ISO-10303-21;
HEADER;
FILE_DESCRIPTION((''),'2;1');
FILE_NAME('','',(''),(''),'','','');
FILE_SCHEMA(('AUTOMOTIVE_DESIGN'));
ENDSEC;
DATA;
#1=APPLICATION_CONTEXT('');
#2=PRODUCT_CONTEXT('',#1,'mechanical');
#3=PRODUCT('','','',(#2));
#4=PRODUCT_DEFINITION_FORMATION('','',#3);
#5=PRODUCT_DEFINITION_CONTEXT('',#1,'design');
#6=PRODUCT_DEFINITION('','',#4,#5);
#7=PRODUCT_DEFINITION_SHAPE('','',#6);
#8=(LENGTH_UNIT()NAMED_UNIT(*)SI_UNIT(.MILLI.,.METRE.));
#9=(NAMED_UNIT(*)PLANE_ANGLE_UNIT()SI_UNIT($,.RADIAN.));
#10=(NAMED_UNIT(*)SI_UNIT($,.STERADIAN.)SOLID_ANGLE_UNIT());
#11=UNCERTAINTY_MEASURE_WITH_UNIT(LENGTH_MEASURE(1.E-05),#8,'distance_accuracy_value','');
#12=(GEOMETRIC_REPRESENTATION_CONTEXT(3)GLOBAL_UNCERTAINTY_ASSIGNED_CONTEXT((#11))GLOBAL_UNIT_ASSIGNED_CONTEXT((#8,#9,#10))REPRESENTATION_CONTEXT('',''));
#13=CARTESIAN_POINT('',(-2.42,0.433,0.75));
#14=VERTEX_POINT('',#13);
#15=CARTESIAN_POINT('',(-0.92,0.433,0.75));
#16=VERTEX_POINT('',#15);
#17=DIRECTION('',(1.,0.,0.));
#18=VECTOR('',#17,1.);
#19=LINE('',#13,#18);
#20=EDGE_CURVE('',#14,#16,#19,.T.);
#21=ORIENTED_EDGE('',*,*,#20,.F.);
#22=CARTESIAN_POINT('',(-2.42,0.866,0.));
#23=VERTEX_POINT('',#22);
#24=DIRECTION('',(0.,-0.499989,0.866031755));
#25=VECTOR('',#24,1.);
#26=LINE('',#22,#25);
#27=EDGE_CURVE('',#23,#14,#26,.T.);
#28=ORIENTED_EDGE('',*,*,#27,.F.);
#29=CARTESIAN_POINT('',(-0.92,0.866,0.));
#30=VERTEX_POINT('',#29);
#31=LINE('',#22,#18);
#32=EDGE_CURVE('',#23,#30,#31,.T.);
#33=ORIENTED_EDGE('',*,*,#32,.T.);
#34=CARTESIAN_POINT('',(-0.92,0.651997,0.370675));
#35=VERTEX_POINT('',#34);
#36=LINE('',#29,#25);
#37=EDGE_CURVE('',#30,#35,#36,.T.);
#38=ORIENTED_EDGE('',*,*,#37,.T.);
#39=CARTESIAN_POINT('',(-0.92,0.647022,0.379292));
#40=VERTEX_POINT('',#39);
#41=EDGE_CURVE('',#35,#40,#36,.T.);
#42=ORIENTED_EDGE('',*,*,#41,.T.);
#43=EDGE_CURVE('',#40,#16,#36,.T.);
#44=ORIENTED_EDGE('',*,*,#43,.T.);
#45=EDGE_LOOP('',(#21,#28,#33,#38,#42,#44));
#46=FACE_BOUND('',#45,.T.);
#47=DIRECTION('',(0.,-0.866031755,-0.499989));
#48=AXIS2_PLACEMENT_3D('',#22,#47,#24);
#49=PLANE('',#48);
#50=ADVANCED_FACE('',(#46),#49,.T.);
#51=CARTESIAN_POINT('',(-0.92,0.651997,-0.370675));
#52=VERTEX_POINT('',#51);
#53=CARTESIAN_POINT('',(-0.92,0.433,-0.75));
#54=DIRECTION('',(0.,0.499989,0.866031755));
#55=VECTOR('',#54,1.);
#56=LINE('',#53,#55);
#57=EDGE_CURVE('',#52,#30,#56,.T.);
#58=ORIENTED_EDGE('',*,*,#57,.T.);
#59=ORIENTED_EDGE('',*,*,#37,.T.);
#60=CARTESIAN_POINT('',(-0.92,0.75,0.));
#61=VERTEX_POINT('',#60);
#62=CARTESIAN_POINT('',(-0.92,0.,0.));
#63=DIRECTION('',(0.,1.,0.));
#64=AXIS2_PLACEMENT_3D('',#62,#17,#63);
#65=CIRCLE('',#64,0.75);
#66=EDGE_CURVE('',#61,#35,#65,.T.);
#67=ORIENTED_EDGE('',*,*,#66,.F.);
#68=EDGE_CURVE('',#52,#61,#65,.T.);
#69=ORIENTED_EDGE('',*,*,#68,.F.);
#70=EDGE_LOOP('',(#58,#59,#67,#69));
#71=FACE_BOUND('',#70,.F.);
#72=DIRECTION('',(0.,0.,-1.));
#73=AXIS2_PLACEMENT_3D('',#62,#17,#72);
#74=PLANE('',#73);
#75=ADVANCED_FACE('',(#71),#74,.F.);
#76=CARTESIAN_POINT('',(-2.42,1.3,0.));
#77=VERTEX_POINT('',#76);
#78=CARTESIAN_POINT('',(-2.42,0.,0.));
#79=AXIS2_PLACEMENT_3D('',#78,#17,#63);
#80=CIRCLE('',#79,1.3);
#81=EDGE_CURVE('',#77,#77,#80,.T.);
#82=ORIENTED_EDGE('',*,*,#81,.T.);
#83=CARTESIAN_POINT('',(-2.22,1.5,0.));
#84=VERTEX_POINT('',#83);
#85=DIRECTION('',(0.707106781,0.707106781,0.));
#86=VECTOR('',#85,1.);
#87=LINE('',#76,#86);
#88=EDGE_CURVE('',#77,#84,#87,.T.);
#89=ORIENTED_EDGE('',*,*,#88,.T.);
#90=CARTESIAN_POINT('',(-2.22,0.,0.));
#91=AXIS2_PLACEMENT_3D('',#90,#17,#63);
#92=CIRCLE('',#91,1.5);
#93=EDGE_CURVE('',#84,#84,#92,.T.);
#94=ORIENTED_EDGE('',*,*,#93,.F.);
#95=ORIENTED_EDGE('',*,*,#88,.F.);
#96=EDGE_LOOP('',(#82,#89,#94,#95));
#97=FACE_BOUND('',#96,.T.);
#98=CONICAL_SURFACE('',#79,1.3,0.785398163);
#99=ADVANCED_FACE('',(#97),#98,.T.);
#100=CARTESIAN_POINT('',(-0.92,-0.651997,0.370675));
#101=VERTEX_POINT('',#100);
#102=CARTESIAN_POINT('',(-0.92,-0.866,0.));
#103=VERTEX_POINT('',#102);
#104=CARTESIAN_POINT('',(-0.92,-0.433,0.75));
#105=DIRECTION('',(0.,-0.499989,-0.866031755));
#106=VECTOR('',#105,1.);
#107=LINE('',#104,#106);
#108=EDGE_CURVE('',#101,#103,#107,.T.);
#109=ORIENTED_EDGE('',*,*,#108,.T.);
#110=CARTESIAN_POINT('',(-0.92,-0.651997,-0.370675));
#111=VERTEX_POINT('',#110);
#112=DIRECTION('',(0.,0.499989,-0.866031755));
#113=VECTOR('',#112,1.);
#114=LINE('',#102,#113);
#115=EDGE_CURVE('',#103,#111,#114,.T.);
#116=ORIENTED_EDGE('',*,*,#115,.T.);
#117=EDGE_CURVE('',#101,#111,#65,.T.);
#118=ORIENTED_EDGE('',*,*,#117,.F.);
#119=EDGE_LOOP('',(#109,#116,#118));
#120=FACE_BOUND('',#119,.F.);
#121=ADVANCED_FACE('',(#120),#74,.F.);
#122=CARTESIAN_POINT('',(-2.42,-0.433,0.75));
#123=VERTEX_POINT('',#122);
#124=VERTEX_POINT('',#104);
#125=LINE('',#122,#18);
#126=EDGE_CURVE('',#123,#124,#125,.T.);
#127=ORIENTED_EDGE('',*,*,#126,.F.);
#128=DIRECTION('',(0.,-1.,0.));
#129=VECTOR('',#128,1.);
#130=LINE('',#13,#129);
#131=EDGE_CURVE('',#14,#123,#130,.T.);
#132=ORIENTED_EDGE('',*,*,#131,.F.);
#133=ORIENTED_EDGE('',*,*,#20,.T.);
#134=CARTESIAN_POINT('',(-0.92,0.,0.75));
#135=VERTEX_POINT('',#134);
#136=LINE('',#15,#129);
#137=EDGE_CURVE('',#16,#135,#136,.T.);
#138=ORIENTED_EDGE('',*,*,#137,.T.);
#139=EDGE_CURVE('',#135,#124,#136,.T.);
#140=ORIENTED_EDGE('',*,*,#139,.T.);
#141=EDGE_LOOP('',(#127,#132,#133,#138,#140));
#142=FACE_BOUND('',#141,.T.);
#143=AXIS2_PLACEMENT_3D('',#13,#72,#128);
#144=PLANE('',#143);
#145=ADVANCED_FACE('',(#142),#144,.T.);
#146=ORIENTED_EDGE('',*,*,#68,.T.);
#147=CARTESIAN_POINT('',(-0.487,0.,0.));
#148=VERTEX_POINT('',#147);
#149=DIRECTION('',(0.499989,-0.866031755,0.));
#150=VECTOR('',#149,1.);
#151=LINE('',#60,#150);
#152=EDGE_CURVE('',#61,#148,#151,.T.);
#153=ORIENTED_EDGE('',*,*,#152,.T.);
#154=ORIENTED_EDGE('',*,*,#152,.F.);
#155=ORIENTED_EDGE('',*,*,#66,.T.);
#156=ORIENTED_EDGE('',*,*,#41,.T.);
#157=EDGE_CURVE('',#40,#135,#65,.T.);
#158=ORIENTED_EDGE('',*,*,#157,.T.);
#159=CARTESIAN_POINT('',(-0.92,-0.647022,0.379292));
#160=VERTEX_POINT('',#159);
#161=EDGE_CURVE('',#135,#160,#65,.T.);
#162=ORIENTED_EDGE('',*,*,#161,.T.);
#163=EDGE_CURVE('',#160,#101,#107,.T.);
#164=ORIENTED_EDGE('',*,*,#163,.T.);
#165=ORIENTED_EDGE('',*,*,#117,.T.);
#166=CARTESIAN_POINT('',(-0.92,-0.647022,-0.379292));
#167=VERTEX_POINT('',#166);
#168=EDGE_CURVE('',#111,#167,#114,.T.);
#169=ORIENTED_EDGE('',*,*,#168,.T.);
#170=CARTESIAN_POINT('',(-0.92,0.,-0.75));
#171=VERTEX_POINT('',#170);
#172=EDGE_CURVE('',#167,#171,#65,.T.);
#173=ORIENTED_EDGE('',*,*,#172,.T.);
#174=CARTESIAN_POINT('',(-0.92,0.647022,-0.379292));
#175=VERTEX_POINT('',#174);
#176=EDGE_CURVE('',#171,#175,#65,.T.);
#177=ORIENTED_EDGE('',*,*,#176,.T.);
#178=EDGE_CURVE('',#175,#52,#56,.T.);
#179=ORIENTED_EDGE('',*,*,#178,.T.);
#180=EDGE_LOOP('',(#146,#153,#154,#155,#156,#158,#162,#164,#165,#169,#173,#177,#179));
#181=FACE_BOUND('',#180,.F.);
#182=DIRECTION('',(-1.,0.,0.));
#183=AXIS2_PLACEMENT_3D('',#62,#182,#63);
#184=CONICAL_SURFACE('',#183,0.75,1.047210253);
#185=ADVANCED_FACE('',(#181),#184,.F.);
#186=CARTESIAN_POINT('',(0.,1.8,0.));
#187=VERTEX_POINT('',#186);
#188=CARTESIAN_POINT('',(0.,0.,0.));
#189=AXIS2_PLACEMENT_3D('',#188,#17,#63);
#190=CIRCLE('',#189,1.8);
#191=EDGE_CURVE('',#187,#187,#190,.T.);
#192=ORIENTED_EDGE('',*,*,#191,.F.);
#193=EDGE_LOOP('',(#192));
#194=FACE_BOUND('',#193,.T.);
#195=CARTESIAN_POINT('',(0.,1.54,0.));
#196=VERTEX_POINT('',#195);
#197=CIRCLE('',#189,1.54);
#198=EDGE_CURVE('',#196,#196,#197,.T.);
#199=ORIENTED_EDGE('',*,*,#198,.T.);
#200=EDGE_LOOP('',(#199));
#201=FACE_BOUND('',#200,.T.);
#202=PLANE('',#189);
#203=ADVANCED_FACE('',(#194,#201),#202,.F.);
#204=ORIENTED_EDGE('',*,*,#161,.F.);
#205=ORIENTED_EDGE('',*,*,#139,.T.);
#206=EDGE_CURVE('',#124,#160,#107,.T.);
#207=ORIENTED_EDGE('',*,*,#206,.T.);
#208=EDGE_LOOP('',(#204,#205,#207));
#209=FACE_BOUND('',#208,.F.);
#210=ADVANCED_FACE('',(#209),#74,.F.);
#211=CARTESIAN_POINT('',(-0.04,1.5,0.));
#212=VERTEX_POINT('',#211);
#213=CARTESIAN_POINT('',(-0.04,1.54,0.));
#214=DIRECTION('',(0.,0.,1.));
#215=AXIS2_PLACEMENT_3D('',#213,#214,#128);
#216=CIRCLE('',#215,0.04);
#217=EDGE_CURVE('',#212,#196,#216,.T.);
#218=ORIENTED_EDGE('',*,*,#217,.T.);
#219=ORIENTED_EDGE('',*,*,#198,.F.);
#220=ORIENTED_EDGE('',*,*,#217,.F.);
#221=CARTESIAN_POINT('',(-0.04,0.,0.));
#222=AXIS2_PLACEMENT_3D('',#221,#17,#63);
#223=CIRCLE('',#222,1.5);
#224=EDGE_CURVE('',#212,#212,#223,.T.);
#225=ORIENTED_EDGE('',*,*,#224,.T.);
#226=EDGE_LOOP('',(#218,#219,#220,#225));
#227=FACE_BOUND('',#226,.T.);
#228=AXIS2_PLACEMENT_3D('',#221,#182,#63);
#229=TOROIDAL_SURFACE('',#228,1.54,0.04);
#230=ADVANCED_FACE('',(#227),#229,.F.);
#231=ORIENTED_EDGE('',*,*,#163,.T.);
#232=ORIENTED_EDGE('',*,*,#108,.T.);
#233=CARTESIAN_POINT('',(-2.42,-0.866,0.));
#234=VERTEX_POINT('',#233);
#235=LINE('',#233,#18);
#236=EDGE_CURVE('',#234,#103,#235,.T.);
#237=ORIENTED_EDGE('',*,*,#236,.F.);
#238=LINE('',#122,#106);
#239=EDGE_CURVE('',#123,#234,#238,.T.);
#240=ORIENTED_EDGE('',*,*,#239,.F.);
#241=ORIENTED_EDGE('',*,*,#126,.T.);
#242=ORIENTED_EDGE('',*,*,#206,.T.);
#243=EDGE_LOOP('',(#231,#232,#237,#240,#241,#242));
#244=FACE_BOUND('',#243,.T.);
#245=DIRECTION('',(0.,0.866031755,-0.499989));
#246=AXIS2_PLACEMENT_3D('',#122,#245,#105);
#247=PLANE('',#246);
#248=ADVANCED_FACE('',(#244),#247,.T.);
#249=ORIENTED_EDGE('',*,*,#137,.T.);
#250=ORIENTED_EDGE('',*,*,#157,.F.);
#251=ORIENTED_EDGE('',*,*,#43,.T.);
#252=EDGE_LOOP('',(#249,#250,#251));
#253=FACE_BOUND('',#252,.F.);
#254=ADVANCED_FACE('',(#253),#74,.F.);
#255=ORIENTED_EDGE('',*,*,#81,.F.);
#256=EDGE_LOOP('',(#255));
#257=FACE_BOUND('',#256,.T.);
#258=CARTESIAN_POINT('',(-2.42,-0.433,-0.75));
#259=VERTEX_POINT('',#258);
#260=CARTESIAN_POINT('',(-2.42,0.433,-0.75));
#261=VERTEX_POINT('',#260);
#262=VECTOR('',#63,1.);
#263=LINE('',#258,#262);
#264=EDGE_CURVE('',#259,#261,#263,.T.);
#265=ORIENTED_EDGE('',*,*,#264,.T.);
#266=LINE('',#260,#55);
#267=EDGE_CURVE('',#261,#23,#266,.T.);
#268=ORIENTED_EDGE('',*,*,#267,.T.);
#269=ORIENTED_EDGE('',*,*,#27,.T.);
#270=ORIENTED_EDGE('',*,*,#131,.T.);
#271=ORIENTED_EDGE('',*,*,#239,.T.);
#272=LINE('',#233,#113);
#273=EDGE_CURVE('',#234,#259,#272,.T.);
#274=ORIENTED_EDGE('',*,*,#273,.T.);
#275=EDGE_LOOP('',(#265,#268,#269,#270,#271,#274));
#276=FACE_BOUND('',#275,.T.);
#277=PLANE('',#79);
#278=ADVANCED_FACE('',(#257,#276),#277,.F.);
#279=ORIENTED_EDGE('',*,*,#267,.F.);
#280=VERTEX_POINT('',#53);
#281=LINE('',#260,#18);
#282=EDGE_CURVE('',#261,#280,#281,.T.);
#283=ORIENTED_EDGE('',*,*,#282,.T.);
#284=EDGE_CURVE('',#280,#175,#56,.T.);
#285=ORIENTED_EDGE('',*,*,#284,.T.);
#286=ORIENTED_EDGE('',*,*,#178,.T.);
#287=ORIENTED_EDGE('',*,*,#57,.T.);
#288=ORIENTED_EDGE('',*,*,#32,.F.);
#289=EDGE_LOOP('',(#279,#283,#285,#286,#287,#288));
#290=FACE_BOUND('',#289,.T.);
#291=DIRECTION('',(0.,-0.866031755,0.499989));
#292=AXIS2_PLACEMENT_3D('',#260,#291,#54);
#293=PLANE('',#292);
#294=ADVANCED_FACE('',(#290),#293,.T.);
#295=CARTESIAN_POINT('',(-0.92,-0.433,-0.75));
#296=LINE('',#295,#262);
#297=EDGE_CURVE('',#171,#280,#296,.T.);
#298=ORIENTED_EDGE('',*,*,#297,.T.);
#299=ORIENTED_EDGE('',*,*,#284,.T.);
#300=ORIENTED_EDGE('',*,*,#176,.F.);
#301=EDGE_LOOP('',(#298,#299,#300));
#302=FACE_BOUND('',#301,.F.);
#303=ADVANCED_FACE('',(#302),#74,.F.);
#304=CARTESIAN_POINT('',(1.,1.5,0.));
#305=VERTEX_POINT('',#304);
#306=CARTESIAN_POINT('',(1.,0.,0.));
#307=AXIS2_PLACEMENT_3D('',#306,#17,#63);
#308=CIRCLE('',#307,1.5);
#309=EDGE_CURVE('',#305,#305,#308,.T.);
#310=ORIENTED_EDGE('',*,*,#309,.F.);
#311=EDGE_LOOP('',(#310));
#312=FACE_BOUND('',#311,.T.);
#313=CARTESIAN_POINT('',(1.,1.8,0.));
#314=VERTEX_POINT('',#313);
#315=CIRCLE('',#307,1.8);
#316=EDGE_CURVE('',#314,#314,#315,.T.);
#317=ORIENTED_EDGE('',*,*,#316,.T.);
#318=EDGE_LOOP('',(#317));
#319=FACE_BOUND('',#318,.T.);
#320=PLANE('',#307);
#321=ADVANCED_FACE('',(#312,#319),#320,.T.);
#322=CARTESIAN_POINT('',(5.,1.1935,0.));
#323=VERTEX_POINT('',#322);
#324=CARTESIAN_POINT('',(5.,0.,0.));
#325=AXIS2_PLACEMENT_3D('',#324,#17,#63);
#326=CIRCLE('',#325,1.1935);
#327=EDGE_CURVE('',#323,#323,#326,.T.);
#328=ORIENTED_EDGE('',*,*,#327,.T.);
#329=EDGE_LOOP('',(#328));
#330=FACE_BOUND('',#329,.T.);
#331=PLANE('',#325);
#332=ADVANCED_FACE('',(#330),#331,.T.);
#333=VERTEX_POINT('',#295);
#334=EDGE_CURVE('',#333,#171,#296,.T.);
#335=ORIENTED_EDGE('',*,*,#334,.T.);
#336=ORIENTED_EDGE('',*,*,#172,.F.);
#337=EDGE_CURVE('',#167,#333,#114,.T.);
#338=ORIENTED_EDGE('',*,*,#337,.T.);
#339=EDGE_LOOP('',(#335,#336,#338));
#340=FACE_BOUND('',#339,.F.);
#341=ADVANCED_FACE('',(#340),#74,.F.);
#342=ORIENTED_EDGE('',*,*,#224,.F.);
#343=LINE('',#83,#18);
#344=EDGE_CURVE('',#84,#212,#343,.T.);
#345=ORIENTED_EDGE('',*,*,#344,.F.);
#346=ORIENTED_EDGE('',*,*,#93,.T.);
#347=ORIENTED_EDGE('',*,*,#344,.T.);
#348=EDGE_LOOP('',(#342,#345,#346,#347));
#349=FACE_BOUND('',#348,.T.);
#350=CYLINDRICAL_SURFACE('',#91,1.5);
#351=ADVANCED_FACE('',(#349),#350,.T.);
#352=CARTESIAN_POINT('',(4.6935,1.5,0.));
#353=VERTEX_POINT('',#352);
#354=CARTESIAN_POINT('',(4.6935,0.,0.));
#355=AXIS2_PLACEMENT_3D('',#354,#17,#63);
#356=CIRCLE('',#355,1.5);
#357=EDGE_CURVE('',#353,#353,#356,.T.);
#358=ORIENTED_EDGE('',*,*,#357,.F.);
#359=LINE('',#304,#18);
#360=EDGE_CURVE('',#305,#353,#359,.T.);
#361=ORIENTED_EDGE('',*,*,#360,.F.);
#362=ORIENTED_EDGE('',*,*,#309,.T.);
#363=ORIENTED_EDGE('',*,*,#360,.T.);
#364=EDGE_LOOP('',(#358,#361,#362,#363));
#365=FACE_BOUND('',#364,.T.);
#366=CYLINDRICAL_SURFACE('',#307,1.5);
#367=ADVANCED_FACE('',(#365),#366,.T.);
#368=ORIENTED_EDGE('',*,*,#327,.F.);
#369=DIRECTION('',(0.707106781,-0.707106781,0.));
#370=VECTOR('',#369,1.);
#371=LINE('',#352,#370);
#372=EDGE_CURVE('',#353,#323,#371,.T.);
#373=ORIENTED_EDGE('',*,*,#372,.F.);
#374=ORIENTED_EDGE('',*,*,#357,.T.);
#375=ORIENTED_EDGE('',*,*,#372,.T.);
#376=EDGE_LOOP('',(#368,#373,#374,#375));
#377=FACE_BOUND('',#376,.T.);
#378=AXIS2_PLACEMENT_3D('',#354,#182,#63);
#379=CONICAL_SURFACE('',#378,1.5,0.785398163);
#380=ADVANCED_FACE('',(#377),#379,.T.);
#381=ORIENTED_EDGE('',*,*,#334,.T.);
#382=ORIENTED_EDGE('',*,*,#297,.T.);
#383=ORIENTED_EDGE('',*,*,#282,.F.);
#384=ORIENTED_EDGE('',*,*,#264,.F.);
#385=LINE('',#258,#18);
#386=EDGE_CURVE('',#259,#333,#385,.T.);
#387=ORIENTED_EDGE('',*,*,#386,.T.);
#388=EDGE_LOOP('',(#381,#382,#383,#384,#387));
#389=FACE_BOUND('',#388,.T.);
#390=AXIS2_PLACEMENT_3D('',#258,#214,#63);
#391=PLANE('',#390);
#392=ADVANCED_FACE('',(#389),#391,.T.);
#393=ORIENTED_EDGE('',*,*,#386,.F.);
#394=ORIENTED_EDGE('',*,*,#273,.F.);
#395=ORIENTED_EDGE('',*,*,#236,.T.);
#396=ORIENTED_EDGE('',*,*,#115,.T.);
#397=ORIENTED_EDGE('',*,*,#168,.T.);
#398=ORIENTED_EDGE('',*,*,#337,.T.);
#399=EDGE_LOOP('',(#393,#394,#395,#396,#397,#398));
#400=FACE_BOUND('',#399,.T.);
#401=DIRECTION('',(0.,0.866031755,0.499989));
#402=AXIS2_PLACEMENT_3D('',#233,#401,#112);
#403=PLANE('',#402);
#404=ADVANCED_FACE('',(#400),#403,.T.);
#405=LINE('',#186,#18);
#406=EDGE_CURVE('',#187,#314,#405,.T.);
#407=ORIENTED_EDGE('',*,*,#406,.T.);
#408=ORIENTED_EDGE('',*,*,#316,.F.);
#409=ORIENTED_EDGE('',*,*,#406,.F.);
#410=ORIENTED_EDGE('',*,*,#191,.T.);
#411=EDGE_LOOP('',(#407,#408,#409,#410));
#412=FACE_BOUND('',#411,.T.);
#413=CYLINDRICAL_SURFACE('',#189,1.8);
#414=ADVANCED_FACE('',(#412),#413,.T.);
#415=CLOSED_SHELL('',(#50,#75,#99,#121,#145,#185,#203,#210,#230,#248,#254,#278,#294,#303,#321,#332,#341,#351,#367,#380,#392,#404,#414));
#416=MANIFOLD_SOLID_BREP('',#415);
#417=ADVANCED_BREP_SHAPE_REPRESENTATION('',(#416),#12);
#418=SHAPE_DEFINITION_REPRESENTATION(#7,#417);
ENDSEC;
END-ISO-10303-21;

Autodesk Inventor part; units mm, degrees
sketch "Sketch_1" plane through (0, 0, 0) normal (0, 0, 1) x (1, 0, 0)
  line L0 (1, 0) -> (-2.42, 0)
  line L1 (-2.42, 0) -> (-2.42, 1.3)
  line L2 (-2.42, 1.3) -> (-2.22, 1.5)
  line L3 (-2.22, 1.5) -> (-0.04, 1.5)
  arc A0 (-0.04, 1.5) -> (0, 1.54) centre (-0.04, 1.54) ccw
  line L4 (0, 1.54) -> (0, 1.8)
  line L5 (0, 1.8) -> (1, 1.8)
  line L6 (1, 1.8) -> (1, 0)
  line L7 (1, 0) -> (-2.42, 0)
revolve "Revolution1" add sketch "Sketch_1" angle 360 about axis through (1, 0, 0) along (1, 0, 0)
sketch "Sketch_5" plane through (0, 0, 0) normal (0, 0, 1) x (1, 0, 0)
  line L0 (5, 0) -> (1, 0)
  line L1 (1, 0) -> (1, 1.5)
  line L2 (1, 1.5) -> (4.6935, 1.5)
  line L3 (4.6935, 1.5) -> (5, 1.1935)
  line L4 (5, 1.1935) -> (5, 0)
  line L5 (5, 0) -> (1, 0)
revolve "Revolution2" add sketch "Sketch_5" angle 360 about axis through (5, 0, 0) along (1, 0, 0)
thread "Thread1" size "M3x0.5" class "6g" standard "ISO Metric profile" length 2.6935
sketch "Sketch_2" plane through (-2.42, 0, 0) normal (1, 0, 0) x (0, 0, -1)
  line L0 (-0.75, -0.433) -> (0, -0.866)
  line L1 (0, -0.866) -> (0.75, -0.433)
  line L2 (0.75, -0.433) -> (0.75, 0.433)
  line L3 (0.75, 0.433) -> (0, 0.866)
  line L4 (0, 0.866) -> (-0.75, 0.433)
  line L5 (-0.75, 0.433) -> (-0.75, -0.433)
extrude "Extrusion1" cut sketch "Sketch_2" along normal blind 1.5
sketch "Sketch_3" plane through (0, 0, 0) normal (0, 0, 1) x (1, 0, 0)
  line L0 (-0.487, 0) -> (-0.92, 0)
  line L1 (-0.92, 0) -> (-0.92, 0.75)
  line L2 (-0.92, 0.75) -> (-0.487, 0)
  line L3 (-0.487, 0) -> (-0.92, 0)
revolve "Revolution3" cut sketch "Sketch_3" angle 360 about axis through (-0.487, 0, 0) along (1, 0, 0)
ref_plane "shaft_to_bearing_XY" through (0, 0, 0) normal (1, 0, 0) x (0, 0, -1)
ref_plane "shaft_to_bearing_YZ" through (0, 0, 0) normal (0, 0, -1) x (0, 1, 0)
ref_plane "shaft_to_bearing_ZX" through (0, 0, 0) normal (0, 1, 0) x (1, 0, 0)
properties part number "NTBG6-4_a"
